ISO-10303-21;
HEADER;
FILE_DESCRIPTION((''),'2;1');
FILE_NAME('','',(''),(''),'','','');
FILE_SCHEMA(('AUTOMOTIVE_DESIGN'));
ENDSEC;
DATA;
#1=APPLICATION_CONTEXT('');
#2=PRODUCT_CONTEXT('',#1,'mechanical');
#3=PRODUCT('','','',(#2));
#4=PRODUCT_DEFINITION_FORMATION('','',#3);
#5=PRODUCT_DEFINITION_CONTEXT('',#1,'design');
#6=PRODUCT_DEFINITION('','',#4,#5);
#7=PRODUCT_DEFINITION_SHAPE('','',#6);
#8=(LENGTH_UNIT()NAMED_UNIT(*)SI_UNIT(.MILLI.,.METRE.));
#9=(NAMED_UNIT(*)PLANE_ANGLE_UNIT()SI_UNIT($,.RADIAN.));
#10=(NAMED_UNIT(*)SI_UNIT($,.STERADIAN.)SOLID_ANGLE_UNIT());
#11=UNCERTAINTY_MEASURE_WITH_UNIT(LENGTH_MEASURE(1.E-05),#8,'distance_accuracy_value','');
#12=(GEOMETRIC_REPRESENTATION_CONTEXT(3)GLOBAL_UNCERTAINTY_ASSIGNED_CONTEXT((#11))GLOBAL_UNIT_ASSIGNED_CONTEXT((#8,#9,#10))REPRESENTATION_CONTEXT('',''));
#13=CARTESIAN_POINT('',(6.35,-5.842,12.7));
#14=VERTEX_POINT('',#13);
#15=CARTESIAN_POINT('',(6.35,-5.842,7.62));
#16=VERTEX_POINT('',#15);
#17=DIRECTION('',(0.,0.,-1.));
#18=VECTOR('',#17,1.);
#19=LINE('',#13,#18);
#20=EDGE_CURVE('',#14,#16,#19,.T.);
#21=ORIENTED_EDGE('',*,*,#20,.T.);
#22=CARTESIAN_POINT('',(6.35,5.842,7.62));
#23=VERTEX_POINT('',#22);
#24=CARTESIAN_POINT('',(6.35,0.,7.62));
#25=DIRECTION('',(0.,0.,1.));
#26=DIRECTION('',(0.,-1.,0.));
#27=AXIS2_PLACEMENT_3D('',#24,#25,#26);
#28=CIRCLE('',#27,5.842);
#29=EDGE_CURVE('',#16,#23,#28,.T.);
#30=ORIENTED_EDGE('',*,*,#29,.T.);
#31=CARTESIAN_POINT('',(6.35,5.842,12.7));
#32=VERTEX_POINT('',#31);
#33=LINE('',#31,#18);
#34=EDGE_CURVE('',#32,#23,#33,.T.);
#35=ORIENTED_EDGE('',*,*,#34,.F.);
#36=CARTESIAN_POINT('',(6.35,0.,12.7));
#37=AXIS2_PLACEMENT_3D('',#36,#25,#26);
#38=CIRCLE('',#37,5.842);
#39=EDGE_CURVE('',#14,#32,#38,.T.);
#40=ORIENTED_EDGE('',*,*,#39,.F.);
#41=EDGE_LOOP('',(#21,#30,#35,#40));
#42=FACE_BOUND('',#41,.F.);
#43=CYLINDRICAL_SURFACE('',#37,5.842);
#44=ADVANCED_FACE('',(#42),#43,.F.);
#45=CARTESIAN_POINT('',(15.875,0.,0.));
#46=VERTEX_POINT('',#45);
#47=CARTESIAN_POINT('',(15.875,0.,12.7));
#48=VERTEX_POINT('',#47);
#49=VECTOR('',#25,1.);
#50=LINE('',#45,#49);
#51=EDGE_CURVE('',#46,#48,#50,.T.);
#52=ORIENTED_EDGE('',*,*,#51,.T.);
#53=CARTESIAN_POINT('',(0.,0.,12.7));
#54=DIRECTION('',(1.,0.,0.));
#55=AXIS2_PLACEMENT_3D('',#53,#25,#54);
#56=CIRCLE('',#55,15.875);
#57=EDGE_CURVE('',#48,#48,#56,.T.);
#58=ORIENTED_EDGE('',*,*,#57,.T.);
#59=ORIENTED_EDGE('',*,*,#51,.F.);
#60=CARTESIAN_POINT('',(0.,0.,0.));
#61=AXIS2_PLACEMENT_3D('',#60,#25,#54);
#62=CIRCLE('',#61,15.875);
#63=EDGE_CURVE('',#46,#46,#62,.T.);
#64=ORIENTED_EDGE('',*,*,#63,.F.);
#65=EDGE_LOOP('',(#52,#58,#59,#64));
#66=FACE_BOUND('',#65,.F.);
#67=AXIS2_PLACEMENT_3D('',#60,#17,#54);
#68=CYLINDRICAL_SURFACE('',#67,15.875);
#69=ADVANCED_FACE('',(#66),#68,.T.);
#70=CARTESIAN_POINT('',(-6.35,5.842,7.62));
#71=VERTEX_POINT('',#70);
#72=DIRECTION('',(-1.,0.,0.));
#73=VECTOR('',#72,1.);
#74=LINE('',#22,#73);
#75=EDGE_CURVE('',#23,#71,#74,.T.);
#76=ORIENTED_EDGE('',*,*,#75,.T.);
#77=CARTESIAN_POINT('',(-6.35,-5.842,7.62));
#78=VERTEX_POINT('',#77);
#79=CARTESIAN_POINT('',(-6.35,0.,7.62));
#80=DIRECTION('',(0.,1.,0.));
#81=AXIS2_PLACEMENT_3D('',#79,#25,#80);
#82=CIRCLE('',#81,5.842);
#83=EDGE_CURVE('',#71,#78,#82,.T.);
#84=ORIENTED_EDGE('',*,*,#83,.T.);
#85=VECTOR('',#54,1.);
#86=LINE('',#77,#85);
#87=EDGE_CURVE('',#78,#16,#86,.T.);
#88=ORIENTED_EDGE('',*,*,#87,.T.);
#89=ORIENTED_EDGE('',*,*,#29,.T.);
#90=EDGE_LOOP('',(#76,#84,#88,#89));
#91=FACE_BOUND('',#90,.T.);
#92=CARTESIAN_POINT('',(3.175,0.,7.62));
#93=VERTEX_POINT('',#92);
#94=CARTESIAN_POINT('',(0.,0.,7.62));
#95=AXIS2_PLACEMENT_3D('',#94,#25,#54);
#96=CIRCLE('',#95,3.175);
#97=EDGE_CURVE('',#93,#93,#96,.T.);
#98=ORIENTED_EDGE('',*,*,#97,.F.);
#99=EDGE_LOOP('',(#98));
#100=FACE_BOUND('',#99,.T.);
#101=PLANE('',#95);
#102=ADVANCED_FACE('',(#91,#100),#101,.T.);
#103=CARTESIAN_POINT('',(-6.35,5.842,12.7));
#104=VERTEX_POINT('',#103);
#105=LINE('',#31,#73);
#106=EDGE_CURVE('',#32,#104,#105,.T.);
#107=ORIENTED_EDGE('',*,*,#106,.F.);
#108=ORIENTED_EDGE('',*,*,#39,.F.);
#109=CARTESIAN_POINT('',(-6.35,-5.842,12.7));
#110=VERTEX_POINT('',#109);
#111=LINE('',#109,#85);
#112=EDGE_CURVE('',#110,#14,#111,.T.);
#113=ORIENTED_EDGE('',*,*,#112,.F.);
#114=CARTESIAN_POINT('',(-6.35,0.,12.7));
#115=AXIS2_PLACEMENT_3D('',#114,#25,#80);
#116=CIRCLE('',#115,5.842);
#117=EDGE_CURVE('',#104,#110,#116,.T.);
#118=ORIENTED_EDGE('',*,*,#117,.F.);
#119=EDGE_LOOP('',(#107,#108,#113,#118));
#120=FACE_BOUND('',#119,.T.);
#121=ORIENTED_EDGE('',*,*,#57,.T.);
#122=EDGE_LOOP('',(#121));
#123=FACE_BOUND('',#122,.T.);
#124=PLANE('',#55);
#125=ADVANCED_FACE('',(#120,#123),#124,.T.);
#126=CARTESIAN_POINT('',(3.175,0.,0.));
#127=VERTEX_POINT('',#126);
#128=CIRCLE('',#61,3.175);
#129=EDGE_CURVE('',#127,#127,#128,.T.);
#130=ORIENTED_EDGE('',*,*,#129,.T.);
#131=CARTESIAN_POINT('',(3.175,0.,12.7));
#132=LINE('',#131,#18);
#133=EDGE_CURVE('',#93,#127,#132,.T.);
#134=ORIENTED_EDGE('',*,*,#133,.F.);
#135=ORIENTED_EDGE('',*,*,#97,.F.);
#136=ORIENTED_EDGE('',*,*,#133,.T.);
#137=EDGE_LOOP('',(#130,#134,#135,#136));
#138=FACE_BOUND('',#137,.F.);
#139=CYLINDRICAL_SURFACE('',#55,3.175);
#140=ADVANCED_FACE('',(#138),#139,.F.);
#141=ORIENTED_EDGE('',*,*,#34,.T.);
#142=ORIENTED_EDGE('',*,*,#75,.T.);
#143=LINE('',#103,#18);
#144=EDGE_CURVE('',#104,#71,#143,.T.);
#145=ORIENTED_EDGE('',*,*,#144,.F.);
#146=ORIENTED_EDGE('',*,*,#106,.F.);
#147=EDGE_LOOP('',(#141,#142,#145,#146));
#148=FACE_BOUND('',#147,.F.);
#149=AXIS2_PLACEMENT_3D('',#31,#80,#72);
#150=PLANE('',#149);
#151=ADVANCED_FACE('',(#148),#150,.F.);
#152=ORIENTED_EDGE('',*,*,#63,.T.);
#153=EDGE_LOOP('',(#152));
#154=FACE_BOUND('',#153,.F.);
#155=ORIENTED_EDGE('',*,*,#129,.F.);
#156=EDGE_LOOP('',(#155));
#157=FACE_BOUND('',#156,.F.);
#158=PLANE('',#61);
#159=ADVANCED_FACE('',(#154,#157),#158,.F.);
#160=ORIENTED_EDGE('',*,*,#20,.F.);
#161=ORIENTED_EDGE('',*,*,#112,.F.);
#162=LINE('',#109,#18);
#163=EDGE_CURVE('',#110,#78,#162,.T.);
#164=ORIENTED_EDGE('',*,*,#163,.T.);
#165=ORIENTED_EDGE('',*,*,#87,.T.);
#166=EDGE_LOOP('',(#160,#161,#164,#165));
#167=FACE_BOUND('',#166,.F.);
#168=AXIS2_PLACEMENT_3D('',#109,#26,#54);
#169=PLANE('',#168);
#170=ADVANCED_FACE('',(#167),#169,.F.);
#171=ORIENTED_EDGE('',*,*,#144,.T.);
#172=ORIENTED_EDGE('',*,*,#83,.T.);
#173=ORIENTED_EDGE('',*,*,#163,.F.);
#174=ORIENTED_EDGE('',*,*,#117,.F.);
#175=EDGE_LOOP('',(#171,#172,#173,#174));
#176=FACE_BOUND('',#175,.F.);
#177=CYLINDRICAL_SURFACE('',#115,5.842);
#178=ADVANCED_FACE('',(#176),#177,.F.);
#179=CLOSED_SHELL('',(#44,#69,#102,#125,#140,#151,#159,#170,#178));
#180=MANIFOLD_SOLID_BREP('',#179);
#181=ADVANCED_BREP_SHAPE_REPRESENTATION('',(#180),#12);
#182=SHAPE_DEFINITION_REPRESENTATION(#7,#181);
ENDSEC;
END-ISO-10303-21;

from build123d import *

# Parameters (mm, degrees)
F0_R     = 15.875
F1_DEPTH = 12.7
F2_R     = 3.175
F3_DEPTH = 12.7
F5_DEPTH = 5.08


with BuildPart() as f1:
    # F0 (on Top) → F1 (new body)
    with BuildSketch(Plane.XY):
        Circle(F0_R)
    extrude(amount=F1_DEPTH)

    # F2 (on face) → F3 (cut, through all)
    with BuildSketch(Plane.XY.offset(12.7)):
        Circle(F2_R)
    extrude(amount=-F3_DEPTH, mode=Mode.SUBTRACT)

    # F4 (on face) → F5 (cut)
    with BuildSketch(Plane.XY.offset(12.7)):
        with BuildLine():
            Line((6.35, 5.842), (-6.35, 5.842))
            ThreePointArc((-6.35, 5.842), (-12.192, 0), (-6.35, -5.842))
            Line((-6.35, -5.842), (6.35, -5.842))
            ThreePointArc((6.35, -5.842), (12.192, 0), (6.35, 5.842))
        make_face()
    extrude(amount=-F5_DEPTH, mode=Mode.SUBTRACT)


solid = f1.part
